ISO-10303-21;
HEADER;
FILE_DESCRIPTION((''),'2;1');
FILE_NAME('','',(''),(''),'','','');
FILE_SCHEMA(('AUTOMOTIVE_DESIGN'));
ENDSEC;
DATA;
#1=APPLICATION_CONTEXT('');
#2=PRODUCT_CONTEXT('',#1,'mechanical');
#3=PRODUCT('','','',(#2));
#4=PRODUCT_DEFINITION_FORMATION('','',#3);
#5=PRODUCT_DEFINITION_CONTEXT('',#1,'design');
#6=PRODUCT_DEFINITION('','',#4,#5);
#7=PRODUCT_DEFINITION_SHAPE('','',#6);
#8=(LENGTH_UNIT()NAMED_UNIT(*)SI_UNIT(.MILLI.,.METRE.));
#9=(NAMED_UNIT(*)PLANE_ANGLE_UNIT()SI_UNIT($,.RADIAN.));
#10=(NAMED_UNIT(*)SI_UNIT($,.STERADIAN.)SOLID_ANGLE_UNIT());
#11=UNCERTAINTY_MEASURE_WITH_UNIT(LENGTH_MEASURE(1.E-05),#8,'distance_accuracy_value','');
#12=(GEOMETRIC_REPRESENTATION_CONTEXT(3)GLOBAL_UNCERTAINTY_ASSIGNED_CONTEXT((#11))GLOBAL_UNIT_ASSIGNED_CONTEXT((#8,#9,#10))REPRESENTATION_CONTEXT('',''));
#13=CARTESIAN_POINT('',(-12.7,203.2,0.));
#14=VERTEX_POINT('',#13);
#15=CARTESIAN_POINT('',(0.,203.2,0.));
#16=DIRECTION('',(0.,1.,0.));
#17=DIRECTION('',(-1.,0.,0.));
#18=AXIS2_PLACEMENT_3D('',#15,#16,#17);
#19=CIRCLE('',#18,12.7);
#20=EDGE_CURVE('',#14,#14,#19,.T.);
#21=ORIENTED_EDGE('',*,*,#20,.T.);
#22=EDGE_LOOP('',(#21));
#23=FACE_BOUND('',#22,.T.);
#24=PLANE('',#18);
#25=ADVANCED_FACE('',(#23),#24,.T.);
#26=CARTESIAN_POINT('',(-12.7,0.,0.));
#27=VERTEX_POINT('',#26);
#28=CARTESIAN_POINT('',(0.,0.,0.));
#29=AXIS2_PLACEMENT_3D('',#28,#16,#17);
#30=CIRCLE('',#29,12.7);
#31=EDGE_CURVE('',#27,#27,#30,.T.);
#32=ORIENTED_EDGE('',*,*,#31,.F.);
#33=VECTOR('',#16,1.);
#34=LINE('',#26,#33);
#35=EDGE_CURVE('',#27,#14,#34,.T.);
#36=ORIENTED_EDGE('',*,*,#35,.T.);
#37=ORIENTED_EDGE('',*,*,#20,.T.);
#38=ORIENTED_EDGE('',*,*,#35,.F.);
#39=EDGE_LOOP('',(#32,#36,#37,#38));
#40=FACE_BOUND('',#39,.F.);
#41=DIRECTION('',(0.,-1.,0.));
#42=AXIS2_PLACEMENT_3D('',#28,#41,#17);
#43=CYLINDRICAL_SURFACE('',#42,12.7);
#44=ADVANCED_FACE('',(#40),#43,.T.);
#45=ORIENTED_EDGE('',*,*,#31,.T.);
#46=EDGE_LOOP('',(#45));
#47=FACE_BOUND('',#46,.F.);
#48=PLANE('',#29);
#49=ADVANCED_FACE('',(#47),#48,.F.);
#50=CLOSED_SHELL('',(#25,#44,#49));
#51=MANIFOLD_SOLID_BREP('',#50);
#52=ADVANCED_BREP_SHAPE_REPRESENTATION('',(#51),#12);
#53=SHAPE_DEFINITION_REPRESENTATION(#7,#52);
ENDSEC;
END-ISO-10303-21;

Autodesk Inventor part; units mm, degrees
ref_plane "YZ Plane" through (0, 0, 0) normal (1, 0, 0) x (0, 1, 0)
ref_plane "XZ Plane" through (0, 0, 0) normal (0, 1, 0) x (-1, 0, 0)
ref_plane "XY Plane" through (0, 0, 0) normal (0, 0, 1) x (1, 0, 0)
sketch "Sketch1" plane through (0, 0, 0) normal (0, 1, 0) x (-1, 0, 0)
  circle A0 centre (0, 0) radius 12.7
  dimension "d0" = 25.4
extrude "Extrusion1" add sketch "Sketch1" along normal blind 203.2
